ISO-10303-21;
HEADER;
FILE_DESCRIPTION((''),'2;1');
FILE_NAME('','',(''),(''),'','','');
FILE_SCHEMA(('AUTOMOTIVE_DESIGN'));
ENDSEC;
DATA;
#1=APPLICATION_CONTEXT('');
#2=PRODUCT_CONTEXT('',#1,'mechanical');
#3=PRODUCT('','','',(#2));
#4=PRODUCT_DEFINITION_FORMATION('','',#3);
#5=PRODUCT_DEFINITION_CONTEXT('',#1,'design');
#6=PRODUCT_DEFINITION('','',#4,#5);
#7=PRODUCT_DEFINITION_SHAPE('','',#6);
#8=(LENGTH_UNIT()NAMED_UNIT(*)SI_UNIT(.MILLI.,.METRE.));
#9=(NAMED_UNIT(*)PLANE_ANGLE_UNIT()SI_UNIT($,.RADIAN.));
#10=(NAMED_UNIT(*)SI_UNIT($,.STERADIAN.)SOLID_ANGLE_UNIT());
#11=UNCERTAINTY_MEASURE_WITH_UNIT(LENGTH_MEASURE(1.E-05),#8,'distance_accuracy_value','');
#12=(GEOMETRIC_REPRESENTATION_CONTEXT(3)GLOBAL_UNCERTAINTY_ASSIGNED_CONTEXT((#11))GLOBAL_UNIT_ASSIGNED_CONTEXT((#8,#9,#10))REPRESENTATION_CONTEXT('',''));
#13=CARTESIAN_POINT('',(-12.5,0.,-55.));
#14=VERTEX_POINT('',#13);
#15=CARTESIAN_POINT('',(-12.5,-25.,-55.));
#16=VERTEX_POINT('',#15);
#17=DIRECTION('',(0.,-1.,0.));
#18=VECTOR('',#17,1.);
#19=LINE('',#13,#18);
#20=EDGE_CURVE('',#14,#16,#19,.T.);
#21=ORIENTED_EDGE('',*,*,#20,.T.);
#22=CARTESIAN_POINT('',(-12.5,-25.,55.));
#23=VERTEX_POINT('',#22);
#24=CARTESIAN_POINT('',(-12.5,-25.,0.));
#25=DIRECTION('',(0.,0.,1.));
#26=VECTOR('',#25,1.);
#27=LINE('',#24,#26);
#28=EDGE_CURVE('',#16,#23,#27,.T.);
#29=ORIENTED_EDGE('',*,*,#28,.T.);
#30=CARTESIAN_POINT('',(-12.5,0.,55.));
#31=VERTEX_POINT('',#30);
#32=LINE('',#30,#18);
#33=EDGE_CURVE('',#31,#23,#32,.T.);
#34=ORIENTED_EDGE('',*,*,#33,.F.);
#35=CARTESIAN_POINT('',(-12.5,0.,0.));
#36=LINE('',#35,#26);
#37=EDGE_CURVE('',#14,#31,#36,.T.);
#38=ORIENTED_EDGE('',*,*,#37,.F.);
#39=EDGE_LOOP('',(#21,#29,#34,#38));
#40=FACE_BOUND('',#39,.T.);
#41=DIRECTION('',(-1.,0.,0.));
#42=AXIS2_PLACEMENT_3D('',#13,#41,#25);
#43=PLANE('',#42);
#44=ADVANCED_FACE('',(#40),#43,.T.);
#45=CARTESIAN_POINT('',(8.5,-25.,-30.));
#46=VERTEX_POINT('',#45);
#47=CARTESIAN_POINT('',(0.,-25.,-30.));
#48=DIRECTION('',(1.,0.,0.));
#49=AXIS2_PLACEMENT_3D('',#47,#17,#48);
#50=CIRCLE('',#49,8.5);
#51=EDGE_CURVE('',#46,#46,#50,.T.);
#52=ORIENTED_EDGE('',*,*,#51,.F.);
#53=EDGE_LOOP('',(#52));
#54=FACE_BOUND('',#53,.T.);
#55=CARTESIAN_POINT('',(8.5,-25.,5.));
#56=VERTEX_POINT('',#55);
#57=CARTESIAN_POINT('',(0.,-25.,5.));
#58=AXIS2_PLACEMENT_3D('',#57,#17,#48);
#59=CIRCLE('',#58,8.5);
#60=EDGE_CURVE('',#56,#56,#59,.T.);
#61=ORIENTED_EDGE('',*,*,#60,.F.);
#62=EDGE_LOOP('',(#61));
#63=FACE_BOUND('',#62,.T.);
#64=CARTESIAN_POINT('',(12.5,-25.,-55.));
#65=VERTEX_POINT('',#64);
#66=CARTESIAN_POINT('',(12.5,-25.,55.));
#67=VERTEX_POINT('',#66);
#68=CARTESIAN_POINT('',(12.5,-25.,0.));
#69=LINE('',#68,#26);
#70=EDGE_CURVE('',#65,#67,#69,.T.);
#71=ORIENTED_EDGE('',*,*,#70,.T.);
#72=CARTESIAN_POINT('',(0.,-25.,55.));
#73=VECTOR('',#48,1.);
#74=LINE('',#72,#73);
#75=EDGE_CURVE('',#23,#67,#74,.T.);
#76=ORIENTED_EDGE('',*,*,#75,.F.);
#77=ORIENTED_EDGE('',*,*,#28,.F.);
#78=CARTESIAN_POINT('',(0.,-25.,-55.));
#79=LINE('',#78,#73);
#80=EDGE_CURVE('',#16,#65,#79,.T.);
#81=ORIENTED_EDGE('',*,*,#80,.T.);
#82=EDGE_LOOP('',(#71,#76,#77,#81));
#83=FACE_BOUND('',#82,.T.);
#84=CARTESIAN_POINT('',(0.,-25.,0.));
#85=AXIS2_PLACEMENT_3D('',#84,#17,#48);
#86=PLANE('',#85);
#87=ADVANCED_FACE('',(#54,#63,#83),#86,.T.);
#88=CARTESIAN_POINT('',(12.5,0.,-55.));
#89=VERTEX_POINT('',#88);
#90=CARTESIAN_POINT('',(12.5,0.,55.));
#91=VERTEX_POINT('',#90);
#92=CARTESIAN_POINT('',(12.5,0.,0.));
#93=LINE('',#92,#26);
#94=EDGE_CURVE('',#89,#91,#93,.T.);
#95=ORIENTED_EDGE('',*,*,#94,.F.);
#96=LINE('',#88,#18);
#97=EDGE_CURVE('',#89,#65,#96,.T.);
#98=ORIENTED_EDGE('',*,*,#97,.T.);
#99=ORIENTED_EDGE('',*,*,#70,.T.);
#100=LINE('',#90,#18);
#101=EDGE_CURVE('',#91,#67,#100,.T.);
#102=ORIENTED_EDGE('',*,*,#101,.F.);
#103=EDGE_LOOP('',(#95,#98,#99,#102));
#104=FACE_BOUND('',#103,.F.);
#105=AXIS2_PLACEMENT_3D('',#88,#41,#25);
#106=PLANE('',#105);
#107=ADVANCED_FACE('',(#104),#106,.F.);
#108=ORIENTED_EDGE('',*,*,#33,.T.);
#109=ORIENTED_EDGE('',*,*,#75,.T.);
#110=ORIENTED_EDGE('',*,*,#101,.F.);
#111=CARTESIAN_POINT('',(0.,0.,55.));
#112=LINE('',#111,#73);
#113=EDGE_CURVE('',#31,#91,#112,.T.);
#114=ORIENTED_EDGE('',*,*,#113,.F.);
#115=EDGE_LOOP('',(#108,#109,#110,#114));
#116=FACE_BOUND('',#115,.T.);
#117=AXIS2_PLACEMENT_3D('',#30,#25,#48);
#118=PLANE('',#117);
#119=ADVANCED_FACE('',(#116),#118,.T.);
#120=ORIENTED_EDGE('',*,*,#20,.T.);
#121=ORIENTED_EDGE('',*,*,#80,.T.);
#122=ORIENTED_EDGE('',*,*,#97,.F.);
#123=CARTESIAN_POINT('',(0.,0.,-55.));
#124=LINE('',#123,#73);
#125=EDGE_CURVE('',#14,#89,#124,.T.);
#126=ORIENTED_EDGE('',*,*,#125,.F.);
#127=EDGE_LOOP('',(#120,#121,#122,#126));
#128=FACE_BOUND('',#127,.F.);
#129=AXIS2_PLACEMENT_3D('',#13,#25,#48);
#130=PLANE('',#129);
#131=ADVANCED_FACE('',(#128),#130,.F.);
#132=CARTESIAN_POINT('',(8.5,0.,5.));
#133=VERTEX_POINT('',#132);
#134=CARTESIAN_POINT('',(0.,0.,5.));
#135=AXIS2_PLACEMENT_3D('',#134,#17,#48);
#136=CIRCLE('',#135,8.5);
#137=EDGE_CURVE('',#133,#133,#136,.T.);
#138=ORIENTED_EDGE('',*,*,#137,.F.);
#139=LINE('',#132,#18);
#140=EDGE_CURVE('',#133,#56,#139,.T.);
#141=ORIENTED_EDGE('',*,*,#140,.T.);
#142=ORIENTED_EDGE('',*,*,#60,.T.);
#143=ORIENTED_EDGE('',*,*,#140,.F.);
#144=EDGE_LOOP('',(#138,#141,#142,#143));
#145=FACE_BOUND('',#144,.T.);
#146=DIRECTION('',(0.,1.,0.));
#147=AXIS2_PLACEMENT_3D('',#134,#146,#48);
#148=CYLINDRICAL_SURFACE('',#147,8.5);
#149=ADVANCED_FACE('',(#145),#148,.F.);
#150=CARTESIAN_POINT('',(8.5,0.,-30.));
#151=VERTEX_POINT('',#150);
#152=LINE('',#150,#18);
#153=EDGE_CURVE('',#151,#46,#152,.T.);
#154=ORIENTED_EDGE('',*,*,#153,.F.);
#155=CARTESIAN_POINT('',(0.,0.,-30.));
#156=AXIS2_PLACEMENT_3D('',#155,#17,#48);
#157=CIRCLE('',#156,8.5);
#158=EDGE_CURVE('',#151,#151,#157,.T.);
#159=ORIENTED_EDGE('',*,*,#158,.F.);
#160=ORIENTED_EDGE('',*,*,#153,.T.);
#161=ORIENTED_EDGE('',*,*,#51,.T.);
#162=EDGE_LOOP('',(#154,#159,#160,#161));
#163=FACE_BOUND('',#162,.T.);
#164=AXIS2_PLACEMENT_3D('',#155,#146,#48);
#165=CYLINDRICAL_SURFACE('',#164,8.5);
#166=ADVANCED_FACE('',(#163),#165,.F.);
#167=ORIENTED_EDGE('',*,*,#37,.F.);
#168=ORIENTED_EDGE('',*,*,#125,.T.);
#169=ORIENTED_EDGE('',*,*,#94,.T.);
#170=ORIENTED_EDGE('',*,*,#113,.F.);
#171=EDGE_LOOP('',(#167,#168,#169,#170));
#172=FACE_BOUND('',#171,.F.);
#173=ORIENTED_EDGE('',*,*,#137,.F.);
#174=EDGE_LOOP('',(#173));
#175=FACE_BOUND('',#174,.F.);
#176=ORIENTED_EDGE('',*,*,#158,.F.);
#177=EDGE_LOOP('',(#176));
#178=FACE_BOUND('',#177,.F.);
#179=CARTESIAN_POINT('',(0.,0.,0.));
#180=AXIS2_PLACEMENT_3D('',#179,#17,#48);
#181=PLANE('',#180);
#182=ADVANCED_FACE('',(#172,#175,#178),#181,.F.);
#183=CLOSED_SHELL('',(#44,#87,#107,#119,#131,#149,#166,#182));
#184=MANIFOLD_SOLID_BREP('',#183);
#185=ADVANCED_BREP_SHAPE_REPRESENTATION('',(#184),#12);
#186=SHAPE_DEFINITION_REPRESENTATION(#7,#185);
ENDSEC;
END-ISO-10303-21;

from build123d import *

# Parameters (mm, degrees)
SKETCH_W  = 25
SKETCH_H  = 110
SKETCH_R  = 8.5
PAD_DEPTH = 25


with BuildPart() as part:
    # Sketch → Pad (new body)
    with BuildSketch(Plane.XZ):
        Rectangle(SKETCH_W, SKETCH_H)
        with Locations((0, -30)):
            Circle(SKETCH_R, mode=Mode.SUBTRACT)
        with Locations((0, 5)):
            Circle(SKETCH_R, mode=Mode.SUBTRACT)
    extrude(amount=PAD_DEPTH)


solid = part.part
